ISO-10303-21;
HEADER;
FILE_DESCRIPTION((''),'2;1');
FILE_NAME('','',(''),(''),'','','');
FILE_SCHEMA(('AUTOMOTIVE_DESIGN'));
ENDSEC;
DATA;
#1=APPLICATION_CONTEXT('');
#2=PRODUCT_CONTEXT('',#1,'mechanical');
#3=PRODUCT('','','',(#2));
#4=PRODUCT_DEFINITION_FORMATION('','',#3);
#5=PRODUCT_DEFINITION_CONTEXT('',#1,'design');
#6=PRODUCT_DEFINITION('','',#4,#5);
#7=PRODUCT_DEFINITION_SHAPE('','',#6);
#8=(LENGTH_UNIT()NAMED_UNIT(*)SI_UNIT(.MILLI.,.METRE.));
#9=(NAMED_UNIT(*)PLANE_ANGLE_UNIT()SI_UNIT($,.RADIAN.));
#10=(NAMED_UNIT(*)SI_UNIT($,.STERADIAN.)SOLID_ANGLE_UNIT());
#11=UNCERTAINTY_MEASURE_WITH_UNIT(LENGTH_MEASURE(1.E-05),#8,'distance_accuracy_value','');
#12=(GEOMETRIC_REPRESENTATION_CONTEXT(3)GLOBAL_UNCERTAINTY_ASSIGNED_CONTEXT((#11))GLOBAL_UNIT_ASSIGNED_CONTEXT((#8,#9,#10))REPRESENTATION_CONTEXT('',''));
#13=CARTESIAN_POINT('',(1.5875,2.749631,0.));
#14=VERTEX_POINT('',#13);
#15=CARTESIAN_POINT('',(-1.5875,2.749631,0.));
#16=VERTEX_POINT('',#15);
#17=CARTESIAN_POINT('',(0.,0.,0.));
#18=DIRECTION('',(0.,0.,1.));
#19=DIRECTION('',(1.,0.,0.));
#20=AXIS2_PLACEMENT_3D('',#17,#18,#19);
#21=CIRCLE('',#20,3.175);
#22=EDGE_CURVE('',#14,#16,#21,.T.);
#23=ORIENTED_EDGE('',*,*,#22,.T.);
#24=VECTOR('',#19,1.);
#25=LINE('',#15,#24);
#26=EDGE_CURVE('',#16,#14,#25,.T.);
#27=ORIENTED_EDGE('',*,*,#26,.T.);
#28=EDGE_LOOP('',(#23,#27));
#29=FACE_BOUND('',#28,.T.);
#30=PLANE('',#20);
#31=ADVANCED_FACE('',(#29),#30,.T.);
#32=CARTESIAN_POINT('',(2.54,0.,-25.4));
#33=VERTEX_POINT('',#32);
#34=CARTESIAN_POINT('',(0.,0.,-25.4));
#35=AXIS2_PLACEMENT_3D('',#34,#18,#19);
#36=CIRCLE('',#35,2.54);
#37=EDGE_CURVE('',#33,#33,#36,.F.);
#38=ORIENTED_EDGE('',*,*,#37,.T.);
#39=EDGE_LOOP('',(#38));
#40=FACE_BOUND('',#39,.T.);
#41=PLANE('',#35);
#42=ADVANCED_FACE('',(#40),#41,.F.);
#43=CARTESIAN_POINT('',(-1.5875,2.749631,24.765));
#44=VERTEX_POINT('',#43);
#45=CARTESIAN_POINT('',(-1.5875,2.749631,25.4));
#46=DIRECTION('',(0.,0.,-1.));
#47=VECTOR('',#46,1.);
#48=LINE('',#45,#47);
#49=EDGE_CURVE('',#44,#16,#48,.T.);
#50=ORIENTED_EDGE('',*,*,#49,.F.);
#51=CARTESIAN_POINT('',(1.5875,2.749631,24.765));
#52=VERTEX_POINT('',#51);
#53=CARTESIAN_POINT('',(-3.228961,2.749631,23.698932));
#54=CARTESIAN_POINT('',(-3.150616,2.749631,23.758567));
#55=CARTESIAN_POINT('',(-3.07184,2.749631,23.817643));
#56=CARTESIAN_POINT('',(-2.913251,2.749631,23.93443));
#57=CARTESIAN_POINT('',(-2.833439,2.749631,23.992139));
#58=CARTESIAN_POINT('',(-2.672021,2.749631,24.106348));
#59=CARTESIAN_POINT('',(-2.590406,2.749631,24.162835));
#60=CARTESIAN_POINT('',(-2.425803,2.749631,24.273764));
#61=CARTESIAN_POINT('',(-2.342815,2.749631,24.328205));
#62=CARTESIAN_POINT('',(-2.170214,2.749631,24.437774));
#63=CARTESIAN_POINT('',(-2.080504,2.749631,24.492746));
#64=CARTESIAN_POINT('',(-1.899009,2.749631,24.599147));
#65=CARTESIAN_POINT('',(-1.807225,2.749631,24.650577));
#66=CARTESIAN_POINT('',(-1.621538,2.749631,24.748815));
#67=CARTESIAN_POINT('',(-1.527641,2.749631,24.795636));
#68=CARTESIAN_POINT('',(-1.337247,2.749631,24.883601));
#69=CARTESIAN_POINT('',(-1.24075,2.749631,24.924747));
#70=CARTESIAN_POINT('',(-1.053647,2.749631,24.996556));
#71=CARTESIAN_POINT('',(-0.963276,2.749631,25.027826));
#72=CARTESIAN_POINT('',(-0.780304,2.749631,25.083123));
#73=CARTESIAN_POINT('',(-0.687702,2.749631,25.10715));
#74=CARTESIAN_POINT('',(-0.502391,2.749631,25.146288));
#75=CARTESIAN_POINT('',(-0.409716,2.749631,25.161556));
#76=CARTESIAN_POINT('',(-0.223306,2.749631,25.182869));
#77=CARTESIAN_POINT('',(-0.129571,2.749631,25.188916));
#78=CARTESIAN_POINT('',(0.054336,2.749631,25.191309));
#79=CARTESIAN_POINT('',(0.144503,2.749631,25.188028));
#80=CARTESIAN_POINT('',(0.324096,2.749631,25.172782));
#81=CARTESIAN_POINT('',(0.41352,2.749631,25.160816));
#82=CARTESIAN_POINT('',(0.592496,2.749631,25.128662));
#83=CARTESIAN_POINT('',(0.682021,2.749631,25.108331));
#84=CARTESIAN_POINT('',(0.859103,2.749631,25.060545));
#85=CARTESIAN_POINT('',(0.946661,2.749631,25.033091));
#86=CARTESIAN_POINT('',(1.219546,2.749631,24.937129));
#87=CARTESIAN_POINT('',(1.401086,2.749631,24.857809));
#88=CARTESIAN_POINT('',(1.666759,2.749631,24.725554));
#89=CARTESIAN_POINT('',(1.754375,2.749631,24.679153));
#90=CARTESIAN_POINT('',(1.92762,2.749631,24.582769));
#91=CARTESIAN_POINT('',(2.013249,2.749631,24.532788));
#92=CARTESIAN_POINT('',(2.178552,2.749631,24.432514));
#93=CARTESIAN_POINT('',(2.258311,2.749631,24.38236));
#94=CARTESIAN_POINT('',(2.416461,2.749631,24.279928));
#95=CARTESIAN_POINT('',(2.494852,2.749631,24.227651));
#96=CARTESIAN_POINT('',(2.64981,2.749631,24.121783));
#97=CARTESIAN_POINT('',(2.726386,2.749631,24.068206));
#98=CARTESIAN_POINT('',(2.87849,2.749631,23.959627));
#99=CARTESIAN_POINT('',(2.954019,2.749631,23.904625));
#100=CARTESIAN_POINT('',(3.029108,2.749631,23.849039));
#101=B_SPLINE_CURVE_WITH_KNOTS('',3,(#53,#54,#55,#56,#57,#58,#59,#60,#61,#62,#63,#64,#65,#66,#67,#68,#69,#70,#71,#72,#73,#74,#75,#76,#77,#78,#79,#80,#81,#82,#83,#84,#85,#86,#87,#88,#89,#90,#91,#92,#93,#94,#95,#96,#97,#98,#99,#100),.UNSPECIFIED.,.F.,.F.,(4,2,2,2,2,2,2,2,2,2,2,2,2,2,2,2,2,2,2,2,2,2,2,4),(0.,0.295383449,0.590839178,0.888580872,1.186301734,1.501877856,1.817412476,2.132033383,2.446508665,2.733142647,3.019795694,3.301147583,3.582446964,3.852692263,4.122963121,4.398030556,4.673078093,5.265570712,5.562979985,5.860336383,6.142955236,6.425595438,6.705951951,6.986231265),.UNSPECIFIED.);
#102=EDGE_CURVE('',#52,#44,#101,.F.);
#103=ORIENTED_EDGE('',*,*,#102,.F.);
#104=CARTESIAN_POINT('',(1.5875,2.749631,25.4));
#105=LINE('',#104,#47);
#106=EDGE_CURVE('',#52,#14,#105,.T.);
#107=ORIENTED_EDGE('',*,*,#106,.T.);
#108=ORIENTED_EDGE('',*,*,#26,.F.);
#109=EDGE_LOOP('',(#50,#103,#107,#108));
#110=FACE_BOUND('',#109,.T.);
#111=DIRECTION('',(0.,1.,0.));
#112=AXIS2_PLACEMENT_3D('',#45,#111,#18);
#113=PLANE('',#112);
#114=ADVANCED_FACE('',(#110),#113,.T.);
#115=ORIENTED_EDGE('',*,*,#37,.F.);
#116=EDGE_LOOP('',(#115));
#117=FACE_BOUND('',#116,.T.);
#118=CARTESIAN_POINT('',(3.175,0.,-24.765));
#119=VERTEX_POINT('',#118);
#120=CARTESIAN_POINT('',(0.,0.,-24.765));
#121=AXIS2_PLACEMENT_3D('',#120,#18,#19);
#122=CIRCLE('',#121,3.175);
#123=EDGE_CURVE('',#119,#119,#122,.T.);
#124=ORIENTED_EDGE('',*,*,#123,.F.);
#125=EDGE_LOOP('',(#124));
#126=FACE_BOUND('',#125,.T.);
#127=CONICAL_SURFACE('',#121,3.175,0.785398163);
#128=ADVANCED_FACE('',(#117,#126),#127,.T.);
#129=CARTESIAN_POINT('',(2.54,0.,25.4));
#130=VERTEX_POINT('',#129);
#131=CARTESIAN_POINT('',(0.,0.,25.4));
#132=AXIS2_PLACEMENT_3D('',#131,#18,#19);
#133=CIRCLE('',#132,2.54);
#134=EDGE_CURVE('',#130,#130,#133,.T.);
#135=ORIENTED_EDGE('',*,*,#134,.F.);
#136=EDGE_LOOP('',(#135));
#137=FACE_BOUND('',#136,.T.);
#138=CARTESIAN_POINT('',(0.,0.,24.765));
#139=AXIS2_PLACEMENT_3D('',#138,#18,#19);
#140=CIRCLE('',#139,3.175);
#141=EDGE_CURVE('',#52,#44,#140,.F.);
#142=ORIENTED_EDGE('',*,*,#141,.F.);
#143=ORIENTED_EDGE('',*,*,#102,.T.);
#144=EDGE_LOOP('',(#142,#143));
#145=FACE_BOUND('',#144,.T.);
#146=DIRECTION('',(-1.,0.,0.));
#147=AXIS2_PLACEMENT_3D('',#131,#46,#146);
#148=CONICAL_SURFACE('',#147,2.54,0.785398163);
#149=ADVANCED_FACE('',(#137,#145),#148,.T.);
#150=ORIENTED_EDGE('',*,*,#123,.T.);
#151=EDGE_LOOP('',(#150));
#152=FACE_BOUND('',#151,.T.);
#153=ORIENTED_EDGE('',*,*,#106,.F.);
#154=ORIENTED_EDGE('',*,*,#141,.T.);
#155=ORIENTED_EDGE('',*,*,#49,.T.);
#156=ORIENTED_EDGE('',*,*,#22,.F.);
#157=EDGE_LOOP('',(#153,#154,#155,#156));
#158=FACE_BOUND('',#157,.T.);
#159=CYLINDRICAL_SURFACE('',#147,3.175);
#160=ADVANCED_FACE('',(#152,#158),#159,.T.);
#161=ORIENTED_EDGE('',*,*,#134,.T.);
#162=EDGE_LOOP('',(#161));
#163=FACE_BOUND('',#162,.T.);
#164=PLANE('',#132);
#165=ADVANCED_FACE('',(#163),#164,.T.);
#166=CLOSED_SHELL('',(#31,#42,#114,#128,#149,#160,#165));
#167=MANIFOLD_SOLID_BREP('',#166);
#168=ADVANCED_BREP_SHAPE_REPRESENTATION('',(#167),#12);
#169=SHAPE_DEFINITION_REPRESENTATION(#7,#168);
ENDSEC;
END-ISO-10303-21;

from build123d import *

# Parameters (mm, degrees)
SKETCH1_R      = 3.175
EXTRUDE1_DEPTH = 25.4
CHAMFER1_SIZE  = 0.635
EXTRUDE7_DEPTH = 26.4


with BuildPart() as part:
    # Sketch1 → Extrude1 (new body, symmetric)
    with BuildSketch(Plane.XY):
        Circle(SKETCH1_R)
    extrude(amount=EXTRUDE1_DEPTH, both=True)

    # Chamfer1
    chamfer1_edges = [part.edges().sort_by_distance(p)[0] for p in [
        (-3.175, 0, -25.4),
        (-3.175, 0, 25.4),
    ]]
    chamfer(chamfer1_edges, length=CHAMFER1_SIZE)

    # Sketch13 → Extrude7 (cut, through all)
    with BuildSketch(Plane.XY):
        with BuildLine():
            Line((-1.5875, 2.749630657), (1.5875, 2.749630657))
            ThreePointArc((1.5875, 2.749630657), (0, 3.175), (-1.5875, 2.749630657))
        make_face()
    extrude(amount=EXTRUDE7_DEPTH, mode=Mode.SUBTRACT)


solid = part.part
